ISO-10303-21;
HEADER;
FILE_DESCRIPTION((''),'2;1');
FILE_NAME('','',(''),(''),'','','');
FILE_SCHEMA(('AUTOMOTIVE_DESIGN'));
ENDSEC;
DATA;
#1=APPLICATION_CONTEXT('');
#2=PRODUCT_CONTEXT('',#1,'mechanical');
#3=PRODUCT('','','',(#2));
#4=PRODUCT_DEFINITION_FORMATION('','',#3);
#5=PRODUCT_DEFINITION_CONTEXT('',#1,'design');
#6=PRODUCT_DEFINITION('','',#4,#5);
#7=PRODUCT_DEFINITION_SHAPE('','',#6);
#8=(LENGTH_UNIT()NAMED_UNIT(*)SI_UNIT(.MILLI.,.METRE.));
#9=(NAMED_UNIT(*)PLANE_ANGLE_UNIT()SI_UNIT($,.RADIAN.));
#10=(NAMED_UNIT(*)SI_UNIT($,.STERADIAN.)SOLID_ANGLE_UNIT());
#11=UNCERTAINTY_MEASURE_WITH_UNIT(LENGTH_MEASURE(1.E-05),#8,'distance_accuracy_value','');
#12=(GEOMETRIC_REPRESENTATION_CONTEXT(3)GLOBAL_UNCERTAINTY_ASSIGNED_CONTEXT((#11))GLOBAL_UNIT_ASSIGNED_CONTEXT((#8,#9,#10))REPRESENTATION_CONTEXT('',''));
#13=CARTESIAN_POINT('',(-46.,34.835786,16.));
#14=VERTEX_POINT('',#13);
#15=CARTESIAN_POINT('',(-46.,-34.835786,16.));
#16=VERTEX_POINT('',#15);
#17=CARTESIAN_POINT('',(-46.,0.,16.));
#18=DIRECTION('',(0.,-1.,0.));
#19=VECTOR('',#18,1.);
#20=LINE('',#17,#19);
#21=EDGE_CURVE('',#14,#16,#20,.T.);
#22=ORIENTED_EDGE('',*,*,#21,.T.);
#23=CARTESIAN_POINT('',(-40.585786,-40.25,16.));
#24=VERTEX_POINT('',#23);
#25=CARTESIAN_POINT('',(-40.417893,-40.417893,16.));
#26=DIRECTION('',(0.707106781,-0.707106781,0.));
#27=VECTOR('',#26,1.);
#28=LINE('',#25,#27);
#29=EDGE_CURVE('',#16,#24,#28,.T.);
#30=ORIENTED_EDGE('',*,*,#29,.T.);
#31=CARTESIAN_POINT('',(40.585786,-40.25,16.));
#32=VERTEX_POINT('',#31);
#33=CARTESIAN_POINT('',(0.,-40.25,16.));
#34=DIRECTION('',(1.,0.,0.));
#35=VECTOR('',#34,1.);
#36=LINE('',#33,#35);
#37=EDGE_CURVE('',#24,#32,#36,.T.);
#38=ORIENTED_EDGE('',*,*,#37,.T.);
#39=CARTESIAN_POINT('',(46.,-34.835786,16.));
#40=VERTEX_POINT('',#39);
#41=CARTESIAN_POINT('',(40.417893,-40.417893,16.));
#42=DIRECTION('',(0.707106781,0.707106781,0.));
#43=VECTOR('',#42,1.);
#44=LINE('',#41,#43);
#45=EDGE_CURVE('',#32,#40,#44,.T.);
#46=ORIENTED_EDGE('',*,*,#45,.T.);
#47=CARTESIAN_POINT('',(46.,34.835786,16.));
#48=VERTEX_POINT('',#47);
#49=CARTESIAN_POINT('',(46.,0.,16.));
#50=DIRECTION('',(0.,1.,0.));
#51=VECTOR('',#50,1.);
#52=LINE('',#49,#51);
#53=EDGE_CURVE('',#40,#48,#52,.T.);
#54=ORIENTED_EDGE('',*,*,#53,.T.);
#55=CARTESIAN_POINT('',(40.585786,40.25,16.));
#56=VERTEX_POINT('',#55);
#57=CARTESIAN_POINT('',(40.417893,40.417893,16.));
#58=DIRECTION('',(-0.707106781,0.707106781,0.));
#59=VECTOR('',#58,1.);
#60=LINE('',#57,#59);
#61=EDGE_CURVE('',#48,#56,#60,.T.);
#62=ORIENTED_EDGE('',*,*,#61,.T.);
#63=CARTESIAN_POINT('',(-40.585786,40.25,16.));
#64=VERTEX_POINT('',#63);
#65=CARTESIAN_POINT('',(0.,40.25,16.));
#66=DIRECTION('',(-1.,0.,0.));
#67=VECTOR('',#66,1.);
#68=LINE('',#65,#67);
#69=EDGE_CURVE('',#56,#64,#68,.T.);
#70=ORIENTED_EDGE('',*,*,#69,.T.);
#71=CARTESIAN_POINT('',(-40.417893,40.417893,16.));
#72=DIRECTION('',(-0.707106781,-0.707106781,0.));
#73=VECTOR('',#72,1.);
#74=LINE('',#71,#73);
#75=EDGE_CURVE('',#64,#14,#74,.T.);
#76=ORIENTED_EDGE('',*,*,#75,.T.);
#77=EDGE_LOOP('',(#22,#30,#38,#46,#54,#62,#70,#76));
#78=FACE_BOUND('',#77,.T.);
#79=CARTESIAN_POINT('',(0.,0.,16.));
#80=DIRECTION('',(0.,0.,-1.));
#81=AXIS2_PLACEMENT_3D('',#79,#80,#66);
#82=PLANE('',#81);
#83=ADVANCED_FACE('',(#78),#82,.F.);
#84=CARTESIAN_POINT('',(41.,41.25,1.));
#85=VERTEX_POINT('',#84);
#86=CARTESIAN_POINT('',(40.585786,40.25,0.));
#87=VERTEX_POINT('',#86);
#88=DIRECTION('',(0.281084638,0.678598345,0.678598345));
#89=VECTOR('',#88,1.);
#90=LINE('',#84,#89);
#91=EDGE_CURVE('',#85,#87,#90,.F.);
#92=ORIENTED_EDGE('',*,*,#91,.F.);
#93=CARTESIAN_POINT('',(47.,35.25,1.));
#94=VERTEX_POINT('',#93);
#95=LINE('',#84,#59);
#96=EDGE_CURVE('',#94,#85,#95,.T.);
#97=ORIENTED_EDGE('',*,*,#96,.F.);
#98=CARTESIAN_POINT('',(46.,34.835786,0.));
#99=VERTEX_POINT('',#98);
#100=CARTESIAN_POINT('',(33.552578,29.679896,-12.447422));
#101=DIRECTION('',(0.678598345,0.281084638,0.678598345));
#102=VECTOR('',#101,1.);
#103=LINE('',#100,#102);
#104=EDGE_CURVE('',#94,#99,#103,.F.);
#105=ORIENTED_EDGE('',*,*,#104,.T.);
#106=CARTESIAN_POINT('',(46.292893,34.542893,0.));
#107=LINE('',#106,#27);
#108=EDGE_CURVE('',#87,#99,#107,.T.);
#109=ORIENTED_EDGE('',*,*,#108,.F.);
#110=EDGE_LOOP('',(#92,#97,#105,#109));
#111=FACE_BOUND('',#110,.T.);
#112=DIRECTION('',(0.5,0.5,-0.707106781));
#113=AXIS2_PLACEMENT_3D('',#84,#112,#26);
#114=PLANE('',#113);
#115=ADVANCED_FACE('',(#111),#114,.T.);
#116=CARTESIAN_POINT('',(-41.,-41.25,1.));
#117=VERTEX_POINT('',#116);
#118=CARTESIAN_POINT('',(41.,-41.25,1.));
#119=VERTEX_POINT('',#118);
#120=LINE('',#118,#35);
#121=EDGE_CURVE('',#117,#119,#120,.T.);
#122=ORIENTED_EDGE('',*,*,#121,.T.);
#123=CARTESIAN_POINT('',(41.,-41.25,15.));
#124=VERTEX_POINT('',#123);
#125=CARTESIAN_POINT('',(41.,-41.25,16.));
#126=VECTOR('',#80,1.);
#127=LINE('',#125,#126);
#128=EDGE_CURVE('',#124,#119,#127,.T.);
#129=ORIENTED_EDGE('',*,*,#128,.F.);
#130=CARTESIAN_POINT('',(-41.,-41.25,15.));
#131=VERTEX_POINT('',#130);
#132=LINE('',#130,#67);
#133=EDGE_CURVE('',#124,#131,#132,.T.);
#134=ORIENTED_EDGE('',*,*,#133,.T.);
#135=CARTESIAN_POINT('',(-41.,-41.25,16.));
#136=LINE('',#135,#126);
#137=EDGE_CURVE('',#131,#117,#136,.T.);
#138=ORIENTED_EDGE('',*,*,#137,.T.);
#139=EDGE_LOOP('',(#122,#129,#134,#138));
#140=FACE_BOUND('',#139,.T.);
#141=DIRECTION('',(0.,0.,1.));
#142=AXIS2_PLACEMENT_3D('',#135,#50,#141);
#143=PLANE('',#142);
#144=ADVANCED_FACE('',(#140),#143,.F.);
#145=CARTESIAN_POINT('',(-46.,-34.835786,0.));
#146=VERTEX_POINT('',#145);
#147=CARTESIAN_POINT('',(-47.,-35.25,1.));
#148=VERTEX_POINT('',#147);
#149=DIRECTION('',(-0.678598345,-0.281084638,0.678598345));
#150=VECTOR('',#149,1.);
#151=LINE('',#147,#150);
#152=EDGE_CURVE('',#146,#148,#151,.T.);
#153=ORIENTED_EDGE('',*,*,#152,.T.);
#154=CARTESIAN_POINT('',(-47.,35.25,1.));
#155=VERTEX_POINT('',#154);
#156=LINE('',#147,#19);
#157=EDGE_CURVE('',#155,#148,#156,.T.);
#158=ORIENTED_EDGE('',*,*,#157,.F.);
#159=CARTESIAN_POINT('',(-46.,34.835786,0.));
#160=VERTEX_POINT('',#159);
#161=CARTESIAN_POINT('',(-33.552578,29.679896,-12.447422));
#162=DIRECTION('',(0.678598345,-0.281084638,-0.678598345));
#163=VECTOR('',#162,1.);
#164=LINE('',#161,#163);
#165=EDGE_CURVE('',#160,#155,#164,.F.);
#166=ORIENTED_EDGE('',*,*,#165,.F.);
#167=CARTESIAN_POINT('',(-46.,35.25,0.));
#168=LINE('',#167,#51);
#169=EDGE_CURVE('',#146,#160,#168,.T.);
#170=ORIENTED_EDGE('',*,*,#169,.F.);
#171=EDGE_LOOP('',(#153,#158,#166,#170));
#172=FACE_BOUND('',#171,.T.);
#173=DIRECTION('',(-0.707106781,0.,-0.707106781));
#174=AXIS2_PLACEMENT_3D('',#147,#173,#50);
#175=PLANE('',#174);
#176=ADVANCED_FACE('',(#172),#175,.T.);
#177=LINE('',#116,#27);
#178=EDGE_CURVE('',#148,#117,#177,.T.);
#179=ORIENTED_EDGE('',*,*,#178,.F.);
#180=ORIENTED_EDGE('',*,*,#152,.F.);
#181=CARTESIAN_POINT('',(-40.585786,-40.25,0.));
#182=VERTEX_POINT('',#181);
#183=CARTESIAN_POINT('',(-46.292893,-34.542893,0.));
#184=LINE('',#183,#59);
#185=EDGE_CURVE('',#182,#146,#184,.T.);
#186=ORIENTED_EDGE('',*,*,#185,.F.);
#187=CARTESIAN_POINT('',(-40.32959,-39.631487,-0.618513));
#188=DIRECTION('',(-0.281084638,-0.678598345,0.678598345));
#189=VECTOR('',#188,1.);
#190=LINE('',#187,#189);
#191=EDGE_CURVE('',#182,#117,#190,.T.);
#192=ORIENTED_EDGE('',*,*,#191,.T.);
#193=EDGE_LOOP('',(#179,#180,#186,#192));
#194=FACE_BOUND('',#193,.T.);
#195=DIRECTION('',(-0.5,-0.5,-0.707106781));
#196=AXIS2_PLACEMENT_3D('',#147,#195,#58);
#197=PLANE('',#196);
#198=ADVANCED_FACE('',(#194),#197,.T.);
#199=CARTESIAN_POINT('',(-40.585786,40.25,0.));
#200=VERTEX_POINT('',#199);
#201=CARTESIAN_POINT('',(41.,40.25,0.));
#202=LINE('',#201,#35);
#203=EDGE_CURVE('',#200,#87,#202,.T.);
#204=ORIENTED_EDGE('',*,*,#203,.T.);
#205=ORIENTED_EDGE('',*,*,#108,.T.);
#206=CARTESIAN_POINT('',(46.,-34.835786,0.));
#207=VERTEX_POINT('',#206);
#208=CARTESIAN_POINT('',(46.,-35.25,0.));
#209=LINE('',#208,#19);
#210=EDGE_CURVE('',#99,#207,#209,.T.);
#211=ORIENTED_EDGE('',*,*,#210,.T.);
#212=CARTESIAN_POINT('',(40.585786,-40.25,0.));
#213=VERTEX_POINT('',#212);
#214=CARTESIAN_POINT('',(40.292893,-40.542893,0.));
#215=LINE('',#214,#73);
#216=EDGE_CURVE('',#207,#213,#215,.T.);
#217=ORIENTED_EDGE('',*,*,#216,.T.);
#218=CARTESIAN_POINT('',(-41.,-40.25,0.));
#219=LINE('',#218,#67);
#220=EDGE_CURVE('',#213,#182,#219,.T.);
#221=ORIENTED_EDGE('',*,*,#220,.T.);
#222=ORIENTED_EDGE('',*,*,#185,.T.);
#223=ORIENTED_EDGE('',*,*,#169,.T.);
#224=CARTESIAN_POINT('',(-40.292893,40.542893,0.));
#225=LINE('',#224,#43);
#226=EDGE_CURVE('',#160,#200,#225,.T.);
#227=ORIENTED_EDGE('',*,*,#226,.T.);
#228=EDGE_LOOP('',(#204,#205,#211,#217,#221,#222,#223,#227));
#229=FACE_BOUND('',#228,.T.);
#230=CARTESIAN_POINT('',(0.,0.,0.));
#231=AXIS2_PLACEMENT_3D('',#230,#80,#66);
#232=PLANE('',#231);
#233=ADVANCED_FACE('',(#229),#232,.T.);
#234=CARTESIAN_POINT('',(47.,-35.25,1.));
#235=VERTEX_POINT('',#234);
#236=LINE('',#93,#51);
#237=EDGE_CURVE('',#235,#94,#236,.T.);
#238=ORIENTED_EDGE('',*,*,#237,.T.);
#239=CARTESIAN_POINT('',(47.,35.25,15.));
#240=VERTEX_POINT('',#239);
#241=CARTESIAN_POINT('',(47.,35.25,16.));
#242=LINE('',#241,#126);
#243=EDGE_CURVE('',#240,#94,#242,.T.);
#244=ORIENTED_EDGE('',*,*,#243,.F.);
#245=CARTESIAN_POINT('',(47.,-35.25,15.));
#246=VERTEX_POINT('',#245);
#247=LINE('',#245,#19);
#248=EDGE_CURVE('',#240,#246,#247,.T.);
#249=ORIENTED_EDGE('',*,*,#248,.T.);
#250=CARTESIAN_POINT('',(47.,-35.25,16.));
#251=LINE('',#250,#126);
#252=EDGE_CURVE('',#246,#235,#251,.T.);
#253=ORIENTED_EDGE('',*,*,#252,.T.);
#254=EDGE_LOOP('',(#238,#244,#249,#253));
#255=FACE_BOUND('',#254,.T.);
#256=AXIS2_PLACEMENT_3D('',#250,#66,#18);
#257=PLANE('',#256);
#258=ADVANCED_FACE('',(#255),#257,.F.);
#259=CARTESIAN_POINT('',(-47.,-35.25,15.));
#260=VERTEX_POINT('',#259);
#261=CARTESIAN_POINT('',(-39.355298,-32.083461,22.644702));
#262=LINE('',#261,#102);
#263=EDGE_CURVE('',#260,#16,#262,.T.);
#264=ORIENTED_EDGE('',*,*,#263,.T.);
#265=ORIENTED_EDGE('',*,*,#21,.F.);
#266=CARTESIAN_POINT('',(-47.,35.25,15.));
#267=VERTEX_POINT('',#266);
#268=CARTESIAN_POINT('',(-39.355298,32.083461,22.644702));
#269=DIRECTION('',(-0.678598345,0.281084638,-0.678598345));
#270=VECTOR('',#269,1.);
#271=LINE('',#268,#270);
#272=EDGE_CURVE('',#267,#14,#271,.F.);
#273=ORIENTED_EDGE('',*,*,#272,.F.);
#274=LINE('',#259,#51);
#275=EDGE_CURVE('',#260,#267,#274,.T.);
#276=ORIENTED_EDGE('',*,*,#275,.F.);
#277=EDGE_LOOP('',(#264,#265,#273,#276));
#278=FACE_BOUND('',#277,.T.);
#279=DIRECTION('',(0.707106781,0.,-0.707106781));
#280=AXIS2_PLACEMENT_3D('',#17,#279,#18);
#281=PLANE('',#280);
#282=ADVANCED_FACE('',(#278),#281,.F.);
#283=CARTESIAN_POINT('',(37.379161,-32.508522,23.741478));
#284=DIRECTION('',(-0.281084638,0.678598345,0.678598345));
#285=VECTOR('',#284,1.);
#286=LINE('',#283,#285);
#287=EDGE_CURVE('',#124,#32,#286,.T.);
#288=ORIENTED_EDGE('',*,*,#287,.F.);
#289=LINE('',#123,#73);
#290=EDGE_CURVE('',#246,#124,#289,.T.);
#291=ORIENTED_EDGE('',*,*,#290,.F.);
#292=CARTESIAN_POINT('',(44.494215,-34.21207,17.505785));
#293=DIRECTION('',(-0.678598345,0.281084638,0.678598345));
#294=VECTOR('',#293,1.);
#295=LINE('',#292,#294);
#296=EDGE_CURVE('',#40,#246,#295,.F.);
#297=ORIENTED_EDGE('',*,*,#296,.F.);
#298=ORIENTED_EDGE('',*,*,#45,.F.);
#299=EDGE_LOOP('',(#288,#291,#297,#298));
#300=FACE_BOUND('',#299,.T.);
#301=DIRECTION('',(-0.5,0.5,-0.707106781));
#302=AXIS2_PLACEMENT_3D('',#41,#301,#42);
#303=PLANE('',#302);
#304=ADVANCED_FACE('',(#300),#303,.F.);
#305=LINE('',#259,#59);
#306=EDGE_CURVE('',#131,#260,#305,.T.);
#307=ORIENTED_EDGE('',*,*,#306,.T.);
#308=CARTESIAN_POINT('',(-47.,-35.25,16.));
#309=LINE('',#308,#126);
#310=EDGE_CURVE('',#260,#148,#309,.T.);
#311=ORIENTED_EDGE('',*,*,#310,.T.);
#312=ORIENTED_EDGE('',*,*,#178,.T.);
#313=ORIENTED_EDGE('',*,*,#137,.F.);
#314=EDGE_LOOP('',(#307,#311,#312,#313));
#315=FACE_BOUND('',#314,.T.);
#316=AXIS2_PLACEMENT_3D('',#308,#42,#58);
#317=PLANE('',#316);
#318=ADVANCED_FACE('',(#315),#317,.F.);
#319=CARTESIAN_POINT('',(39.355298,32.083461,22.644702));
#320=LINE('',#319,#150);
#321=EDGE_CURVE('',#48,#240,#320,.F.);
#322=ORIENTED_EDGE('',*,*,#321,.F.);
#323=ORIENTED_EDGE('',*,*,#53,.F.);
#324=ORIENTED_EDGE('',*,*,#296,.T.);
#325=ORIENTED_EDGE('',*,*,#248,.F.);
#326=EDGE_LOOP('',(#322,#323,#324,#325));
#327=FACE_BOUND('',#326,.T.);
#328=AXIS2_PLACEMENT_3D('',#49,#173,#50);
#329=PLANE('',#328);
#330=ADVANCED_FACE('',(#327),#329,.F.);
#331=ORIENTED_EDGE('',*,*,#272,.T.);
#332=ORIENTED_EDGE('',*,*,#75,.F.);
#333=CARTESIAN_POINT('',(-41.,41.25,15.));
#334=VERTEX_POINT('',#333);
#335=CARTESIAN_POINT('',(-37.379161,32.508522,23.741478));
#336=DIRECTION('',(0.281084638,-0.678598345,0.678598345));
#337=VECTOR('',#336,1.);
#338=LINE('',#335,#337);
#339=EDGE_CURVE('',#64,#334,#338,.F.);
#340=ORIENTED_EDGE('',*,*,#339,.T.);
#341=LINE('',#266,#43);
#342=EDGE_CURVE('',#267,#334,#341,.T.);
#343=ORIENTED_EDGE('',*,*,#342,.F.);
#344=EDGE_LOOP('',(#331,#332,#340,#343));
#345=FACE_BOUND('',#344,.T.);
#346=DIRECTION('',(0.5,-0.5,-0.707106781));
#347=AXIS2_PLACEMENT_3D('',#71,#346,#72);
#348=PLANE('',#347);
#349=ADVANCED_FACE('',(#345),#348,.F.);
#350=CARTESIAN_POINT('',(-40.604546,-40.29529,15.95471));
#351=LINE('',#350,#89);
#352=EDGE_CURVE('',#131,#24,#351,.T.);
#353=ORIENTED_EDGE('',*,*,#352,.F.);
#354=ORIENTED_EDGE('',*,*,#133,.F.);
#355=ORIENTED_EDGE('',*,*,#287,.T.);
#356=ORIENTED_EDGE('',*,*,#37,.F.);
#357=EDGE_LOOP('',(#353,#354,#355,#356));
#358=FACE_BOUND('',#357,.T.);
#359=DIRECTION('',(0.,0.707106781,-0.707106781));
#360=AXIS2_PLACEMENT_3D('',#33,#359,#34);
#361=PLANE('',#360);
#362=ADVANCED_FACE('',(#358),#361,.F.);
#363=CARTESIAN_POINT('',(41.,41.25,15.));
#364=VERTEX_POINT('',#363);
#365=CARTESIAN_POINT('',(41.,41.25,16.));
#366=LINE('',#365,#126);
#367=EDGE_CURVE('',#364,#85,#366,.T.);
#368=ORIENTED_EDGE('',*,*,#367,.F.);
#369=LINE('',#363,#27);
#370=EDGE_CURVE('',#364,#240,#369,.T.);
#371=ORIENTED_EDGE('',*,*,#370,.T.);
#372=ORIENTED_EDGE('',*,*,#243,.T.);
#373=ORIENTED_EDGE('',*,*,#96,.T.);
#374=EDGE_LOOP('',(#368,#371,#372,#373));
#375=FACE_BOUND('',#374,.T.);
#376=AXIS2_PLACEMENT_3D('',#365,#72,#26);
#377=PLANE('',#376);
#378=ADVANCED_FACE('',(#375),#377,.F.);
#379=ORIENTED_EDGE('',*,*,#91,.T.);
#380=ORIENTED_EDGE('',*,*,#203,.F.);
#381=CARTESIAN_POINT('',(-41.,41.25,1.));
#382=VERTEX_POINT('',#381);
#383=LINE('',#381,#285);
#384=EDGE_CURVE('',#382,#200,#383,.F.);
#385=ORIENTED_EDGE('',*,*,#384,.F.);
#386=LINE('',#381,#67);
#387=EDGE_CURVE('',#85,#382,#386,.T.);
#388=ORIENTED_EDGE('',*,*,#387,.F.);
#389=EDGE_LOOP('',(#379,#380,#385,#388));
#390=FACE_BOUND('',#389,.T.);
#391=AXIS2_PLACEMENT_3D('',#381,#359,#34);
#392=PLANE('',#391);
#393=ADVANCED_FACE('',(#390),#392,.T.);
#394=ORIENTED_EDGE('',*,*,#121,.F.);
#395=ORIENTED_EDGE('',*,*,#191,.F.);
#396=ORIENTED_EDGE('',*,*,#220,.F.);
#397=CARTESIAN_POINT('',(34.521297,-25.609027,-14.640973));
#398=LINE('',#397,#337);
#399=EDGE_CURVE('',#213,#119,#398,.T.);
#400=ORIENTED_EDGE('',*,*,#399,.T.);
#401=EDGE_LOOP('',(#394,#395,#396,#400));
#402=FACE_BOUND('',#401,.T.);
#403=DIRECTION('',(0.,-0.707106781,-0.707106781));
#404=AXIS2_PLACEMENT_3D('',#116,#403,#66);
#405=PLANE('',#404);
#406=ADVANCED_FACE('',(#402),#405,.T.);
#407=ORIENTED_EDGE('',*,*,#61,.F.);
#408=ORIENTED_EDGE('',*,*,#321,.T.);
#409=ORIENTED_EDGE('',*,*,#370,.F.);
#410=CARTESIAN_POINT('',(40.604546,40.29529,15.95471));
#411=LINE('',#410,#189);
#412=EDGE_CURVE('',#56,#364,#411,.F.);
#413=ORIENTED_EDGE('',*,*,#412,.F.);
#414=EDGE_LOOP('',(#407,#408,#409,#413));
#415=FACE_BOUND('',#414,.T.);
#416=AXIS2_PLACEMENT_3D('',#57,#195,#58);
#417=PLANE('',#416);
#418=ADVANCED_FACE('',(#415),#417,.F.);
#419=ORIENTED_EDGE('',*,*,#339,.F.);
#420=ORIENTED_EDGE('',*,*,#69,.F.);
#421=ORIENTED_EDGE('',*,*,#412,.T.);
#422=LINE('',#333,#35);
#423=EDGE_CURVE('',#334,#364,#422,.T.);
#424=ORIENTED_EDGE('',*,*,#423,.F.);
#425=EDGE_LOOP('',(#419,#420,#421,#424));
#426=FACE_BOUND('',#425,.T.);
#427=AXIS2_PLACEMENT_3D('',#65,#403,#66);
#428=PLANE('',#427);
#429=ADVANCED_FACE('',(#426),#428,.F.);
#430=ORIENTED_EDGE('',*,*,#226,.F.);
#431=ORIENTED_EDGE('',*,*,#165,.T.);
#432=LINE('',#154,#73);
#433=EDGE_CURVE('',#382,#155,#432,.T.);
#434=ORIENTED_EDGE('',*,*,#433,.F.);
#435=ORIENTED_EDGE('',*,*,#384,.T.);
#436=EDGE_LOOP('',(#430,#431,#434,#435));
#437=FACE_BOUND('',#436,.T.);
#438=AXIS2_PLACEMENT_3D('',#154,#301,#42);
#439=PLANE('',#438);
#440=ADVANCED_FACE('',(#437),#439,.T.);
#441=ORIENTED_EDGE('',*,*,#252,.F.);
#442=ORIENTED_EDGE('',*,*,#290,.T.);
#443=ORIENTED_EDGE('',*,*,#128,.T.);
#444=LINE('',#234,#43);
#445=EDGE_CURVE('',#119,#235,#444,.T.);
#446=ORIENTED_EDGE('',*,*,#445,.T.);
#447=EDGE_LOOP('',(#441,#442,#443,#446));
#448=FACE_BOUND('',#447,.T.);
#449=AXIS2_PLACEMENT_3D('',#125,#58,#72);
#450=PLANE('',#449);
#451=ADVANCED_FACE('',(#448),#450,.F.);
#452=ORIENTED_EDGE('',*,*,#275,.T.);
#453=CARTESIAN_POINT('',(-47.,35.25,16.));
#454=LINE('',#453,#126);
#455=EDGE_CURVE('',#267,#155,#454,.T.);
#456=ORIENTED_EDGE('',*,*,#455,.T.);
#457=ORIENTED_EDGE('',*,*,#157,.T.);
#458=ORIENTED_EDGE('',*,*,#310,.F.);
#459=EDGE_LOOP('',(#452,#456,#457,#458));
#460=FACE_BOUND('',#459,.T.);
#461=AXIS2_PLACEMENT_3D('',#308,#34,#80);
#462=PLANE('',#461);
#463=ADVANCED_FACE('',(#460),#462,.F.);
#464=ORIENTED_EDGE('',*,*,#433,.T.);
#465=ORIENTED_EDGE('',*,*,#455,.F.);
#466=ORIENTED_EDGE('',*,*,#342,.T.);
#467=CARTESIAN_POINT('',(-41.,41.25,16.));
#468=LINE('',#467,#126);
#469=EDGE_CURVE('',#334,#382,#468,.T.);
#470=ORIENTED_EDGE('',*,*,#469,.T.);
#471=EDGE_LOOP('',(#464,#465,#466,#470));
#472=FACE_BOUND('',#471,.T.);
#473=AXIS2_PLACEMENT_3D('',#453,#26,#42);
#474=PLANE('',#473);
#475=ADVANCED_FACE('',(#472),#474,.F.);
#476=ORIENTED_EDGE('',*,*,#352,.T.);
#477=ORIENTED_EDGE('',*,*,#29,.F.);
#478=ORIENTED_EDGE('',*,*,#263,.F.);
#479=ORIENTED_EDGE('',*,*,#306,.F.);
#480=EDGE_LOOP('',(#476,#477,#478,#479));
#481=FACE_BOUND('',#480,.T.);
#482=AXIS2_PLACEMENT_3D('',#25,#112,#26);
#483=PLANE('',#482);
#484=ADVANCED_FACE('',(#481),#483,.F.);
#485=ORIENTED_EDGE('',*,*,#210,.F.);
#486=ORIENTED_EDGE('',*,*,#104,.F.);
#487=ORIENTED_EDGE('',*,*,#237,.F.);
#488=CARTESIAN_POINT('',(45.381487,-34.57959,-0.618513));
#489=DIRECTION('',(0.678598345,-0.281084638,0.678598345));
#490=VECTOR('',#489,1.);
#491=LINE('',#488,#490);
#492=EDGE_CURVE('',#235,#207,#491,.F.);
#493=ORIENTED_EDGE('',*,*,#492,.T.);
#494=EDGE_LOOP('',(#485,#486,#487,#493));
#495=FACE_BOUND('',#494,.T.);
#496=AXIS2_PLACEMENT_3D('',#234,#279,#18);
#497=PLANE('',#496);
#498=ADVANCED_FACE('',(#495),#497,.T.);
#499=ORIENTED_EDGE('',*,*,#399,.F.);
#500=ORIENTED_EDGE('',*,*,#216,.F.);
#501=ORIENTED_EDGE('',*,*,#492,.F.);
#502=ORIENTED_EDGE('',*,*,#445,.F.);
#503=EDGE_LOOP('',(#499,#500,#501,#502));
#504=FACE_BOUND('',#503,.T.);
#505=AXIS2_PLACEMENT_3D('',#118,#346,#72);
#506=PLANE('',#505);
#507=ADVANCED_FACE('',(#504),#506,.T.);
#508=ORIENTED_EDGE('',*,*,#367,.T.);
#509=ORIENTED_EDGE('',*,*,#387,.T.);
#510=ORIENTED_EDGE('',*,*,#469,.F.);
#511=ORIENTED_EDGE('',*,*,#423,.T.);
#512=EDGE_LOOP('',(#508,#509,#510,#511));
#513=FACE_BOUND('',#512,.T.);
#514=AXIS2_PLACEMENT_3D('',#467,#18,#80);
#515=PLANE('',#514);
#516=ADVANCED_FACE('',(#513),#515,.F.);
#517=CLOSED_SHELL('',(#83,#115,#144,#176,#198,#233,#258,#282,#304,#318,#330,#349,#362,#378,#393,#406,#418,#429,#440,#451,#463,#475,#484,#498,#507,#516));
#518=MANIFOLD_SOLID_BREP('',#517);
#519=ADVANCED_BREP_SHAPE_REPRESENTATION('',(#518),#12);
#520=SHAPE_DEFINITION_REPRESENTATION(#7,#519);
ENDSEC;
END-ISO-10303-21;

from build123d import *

# Parameters (mm, degrees)
BOSS_EXTRUDE1_DEPTH = 16
CHAMFER1_SIZE       = 1


with BuildPart() as part:
    # Sketch1 → Boss-Extrude1 (new body)
    with BuildSketch(Plane.XY):
        Polygon((-47, 35.25), (-41, 41.25), (41, 41.25), (47, 35.25), (47, -35.25), (41, -41.25), (-41, -41.25), (-47, -35.25), align=None)
    extrude(amount=BOSS_EXTRUDE1_DEPTH)

    # Chamfer1
    chamfer1_edges = [part.edges().sort_by_distance(p)[0] for p in [
        (44, -38.25, 0),
        (0, -41.25, 0),
        (-44, -38.25, 0),
        (-47, 0, 0),
        (0, -41.25, 16),
        (44, -38.25, 16),
        (47, 0, 16),
        (44, 38.25, 16),
        (0, 41.25, 16),
        (-44, 38.25, 16),
        (-47, 0, 16),
        (-44, 38.25, 0),
        (-44, -38.25, 16),
        (0, 41.25, 0),
        (44, 38.25, 0),
        (47, 0, 0),
    ]]
    chamfer(chamfer1_edges, length=CHAMFER1_SIZE)


solid = part.part
